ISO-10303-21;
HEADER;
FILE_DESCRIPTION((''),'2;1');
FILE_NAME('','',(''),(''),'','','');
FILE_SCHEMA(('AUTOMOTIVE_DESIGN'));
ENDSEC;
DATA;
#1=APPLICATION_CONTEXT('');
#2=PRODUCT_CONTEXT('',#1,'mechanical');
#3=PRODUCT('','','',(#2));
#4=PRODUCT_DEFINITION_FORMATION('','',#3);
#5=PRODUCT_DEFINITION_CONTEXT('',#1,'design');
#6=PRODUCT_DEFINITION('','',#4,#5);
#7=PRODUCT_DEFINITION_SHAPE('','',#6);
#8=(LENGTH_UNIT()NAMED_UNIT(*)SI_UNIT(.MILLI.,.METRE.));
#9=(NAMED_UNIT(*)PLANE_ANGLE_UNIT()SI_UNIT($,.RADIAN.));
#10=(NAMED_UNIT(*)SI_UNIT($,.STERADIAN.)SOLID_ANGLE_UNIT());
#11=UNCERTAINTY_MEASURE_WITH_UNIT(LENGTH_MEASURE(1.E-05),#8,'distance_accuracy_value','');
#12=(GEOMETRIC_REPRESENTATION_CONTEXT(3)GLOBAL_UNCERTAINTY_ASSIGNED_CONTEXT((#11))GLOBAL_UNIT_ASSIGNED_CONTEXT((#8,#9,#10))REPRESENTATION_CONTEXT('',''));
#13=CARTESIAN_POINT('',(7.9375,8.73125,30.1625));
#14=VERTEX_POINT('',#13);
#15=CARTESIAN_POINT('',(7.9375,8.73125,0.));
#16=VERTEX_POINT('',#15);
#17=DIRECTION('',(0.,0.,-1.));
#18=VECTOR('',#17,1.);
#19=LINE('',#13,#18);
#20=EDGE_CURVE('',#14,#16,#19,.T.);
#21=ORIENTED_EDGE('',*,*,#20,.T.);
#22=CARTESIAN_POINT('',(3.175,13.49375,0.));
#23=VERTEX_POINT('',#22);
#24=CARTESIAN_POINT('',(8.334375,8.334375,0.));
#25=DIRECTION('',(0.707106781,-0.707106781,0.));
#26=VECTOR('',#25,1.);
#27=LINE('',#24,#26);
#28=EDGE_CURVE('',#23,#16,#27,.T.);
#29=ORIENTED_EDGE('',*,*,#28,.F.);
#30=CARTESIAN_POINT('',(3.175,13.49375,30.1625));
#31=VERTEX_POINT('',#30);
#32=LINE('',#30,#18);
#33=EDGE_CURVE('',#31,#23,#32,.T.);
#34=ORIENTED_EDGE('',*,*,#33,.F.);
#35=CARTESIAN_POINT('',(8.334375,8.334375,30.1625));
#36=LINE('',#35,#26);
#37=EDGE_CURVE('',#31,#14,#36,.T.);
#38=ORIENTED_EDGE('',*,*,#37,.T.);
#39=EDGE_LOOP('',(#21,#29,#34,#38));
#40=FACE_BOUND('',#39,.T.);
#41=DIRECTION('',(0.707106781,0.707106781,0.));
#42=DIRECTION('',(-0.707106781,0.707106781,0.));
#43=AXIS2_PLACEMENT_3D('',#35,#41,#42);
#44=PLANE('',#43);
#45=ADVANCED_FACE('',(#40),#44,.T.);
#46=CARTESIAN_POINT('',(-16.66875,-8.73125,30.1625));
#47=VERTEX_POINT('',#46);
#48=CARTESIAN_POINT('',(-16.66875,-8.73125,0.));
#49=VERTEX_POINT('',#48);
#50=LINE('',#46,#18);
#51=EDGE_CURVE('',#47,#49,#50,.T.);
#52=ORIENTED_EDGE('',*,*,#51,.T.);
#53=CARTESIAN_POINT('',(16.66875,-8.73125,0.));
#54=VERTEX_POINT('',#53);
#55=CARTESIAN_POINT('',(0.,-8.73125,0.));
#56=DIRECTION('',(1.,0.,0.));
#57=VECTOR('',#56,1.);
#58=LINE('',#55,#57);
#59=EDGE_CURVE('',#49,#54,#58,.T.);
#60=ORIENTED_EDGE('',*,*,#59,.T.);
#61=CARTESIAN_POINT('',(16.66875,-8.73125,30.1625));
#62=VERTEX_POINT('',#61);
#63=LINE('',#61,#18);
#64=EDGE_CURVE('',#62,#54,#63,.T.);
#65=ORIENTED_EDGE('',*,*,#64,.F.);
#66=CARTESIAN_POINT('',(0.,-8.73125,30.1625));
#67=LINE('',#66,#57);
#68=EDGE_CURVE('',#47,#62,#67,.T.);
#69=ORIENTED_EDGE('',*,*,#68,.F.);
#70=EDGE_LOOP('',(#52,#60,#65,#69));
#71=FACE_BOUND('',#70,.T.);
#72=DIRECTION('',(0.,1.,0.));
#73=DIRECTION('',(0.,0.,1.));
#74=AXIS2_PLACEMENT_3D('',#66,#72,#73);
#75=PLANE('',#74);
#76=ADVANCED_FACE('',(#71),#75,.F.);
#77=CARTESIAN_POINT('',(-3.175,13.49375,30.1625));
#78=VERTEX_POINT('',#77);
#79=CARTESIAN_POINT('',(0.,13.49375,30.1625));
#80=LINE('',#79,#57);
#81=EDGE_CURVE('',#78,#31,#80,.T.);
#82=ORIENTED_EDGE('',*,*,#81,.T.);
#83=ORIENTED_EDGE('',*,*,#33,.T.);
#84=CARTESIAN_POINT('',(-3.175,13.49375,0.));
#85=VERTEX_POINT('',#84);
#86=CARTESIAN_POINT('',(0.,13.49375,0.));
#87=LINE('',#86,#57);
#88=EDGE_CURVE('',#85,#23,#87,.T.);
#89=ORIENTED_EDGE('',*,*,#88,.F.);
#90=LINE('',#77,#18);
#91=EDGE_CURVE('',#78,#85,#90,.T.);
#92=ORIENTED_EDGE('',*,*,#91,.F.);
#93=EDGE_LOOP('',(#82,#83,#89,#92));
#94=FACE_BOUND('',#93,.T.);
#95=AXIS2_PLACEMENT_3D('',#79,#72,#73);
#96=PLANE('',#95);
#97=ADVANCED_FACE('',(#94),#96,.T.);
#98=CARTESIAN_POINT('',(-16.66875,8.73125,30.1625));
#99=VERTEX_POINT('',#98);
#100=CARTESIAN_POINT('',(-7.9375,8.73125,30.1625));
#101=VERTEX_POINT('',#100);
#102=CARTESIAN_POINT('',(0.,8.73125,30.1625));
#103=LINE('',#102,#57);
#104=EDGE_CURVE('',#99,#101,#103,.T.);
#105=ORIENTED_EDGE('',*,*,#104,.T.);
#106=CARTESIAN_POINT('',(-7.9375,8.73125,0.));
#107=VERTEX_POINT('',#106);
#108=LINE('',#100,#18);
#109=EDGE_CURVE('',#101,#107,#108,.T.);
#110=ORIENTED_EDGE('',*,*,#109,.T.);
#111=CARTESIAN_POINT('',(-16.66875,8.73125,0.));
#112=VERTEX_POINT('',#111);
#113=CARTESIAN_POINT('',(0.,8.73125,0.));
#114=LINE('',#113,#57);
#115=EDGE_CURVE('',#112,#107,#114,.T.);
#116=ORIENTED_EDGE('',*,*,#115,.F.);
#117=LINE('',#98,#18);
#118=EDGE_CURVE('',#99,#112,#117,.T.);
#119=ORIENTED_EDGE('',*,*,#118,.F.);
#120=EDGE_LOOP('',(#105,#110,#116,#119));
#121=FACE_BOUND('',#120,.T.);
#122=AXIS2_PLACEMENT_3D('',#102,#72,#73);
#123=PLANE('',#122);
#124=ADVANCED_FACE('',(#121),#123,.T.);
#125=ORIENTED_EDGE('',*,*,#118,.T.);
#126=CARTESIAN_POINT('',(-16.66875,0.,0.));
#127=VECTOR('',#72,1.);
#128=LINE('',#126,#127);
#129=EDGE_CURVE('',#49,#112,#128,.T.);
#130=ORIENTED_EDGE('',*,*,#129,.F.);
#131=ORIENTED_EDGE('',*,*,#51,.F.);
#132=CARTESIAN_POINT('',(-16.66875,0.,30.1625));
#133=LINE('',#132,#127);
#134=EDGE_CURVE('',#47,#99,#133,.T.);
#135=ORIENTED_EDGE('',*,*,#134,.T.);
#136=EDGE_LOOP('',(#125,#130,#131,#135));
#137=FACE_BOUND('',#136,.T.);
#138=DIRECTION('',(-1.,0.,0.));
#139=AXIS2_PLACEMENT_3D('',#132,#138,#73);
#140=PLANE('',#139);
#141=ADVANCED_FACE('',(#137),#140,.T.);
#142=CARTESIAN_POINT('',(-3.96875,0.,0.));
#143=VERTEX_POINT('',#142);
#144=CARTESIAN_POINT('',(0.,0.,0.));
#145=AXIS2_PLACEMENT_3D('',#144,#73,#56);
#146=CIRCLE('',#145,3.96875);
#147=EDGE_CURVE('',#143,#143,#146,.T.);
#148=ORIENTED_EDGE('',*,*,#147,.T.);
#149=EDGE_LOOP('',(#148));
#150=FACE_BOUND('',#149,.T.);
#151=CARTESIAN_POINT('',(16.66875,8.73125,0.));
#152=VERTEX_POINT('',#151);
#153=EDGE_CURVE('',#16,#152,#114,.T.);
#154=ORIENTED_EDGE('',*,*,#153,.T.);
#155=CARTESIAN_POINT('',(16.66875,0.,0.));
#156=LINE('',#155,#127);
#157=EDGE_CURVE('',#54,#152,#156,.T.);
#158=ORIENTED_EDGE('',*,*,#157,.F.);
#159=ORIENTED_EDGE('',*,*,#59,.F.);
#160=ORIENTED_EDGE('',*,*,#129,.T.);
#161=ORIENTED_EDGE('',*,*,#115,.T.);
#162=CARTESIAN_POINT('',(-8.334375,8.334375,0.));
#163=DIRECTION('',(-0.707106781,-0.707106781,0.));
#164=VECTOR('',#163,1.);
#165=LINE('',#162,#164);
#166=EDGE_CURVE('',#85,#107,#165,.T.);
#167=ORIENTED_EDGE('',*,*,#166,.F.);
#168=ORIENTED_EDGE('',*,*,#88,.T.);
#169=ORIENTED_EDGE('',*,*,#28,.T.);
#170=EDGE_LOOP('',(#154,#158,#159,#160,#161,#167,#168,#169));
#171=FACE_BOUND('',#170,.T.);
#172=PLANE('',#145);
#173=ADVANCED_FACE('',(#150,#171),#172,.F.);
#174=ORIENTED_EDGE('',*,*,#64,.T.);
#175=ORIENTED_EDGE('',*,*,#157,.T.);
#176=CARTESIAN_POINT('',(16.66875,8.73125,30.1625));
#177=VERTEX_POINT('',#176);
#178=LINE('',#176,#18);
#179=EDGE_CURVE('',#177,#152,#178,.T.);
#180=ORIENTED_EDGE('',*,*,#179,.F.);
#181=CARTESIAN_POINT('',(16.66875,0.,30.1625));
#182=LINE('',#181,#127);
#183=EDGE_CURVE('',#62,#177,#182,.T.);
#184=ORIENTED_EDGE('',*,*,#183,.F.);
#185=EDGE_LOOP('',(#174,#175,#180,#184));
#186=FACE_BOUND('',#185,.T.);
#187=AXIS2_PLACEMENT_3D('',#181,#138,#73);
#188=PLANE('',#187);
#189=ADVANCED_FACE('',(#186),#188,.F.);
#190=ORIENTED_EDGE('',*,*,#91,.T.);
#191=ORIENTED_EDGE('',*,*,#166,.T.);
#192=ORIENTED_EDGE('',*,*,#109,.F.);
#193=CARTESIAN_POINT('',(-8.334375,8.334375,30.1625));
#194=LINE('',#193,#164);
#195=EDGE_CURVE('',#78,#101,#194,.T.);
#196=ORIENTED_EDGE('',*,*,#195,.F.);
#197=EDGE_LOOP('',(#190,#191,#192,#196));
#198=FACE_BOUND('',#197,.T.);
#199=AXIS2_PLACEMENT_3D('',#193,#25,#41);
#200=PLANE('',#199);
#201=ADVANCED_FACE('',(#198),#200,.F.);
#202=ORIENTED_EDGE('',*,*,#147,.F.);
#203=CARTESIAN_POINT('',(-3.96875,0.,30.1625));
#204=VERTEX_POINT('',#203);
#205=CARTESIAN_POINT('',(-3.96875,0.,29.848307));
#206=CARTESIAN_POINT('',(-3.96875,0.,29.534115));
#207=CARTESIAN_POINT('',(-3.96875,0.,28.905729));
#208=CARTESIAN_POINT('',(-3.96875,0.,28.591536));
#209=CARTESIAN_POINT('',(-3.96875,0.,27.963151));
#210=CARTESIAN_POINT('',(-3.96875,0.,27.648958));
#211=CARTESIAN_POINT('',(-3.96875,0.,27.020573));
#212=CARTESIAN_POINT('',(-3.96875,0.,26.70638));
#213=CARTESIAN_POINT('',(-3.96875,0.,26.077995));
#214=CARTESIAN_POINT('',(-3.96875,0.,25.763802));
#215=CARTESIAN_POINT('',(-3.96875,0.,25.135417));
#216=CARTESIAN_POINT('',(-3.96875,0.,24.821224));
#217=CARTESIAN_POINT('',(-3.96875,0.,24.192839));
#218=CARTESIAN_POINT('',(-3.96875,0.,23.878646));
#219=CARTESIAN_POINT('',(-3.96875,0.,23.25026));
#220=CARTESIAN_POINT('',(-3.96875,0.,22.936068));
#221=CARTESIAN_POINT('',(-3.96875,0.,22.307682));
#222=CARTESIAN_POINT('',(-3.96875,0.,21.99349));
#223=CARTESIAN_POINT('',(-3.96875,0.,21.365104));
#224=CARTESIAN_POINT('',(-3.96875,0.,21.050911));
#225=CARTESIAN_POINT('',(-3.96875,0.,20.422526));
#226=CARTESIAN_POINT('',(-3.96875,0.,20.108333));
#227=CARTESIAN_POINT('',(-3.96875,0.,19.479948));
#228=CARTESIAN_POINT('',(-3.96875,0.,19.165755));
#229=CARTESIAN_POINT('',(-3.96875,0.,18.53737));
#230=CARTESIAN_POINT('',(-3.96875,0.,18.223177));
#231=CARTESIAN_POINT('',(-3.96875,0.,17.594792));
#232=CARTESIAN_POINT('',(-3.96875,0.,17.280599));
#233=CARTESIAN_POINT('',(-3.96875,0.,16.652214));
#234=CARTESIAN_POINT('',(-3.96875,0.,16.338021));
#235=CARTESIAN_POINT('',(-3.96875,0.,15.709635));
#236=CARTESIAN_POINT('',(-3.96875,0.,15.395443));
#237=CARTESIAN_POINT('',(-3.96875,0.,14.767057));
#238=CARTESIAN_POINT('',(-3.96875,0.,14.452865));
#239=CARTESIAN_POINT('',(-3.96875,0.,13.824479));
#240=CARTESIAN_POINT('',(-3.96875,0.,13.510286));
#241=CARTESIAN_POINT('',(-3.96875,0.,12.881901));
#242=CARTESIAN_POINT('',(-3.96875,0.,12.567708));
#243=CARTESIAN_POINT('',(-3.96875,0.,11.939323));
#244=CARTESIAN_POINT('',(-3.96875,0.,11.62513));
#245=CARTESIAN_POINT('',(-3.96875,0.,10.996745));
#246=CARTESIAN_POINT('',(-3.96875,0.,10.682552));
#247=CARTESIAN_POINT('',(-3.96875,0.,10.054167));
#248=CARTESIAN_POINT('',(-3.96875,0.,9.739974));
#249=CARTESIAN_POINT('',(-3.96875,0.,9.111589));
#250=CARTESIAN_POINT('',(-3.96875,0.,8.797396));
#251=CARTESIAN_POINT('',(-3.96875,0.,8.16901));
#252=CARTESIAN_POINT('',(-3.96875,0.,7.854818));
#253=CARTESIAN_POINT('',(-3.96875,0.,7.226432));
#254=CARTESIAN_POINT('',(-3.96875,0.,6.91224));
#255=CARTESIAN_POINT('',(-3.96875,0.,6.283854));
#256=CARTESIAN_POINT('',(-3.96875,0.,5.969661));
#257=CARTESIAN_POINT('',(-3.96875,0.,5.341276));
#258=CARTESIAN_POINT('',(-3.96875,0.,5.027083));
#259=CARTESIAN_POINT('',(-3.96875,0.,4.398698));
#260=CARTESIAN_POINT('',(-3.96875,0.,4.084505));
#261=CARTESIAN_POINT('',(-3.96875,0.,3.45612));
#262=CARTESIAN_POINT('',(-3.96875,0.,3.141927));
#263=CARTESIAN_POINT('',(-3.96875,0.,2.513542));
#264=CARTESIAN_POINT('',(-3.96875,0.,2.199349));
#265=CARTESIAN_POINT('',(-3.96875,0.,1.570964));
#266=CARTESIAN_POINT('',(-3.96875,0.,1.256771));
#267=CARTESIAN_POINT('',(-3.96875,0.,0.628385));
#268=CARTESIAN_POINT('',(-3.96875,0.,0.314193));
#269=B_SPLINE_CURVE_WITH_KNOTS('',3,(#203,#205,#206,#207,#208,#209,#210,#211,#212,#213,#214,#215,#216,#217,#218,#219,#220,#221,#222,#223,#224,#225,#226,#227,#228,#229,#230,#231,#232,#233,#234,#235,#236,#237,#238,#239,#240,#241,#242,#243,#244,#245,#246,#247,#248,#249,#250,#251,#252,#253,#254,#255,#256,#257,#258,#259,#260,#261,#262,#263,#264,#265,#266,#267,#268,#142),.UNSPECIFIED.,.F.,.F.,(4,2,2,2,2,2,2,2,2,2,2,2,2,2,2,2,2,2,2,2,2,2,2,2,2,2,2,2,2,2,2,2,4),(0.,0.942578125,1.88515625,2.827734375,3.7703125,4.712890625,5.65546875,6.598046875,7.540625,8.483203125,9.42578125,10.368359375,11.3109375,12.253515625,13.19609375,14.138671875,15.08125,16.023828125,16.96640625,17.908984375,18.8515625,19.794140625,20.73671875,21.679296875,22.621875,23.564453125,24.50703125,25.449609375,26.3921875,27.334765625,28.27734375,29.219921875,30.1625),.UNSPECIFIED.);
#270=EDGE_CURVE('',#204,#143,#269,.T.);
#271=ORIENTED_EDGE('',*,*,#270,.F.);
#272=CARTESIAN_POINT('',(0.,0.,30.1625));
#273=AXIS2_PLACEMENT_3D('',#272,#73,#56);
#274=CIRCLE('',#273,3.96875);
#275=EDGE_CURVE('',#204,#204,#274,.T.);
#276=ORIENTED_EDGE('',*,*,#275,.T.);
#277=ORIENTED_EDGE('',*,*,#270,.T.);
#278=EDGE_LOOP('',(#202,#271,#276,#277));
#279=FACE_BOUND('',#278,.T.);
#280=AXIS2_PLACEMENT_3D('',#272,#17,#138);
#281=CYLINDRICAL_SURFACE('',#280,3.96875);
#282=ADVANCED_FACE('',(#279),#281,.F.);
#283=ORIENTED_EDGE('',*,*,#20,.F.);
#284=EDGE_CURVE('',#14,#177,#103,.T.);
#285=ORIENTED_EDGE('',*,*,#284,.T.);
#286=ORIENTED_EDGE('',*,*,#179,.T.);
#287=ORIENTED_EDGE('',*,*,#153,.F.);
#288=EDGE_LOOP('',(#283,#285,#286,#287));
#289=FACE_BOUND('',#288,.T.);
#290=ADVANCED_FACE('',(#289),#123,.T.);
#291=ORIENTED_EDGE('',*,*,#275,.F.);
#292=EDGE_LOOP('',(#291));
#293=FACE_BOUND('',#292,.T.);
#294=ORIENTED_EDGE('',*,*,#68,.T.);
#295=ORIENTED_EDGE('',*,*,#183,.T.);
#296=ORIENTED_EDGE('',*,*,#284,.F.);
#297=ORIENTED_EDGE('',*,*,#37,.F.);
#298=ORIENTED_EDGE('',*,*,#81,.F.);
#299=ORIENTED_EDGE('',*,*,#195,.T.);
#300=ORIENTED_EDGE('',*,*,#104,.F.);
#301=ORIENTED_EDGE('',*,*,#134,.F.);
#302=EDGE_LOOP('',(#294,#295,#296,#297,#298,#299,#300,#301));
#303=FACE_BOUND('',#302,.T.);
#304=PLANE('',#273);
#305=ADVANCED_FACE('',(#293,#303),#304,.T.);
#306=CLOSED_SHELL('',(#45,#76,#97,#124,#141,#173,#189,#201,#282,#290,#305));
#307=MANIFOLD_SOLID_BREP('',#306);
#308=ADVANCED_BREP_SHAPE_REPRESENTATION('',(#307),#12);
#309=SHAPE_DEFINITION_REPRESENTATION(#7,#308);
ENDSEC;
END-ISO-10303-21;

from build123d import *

# Parameters (mm, degrees)
SKETCH1_R           = 3.96875
BOSS_EXTRUDE1_DEPTH = 30.1625


with BuildPart() as part:
    # Sketch1 → Boss-Extrude1 (new body)
    with BuildSketch(Plane.XY):
        Polygon((3.175, 13.49375), (-3.175, 13.49375), (-7.9375, 8.73125), (-16.66875, 8.73125), (-16.66875, -8.73125), (16.66875, -8.73125), (16.66875, 8.73125), (7.9375, 8.73125), align=None)
        with Locations(Location((0, 0, 0), (0, 0, 180))):
            Circle(SKETCH1_R, mode=Mode.SUBTRACT)
    extrude(amount=BOSS_EXTRUDE1_DEPTH)


solid = part.part
